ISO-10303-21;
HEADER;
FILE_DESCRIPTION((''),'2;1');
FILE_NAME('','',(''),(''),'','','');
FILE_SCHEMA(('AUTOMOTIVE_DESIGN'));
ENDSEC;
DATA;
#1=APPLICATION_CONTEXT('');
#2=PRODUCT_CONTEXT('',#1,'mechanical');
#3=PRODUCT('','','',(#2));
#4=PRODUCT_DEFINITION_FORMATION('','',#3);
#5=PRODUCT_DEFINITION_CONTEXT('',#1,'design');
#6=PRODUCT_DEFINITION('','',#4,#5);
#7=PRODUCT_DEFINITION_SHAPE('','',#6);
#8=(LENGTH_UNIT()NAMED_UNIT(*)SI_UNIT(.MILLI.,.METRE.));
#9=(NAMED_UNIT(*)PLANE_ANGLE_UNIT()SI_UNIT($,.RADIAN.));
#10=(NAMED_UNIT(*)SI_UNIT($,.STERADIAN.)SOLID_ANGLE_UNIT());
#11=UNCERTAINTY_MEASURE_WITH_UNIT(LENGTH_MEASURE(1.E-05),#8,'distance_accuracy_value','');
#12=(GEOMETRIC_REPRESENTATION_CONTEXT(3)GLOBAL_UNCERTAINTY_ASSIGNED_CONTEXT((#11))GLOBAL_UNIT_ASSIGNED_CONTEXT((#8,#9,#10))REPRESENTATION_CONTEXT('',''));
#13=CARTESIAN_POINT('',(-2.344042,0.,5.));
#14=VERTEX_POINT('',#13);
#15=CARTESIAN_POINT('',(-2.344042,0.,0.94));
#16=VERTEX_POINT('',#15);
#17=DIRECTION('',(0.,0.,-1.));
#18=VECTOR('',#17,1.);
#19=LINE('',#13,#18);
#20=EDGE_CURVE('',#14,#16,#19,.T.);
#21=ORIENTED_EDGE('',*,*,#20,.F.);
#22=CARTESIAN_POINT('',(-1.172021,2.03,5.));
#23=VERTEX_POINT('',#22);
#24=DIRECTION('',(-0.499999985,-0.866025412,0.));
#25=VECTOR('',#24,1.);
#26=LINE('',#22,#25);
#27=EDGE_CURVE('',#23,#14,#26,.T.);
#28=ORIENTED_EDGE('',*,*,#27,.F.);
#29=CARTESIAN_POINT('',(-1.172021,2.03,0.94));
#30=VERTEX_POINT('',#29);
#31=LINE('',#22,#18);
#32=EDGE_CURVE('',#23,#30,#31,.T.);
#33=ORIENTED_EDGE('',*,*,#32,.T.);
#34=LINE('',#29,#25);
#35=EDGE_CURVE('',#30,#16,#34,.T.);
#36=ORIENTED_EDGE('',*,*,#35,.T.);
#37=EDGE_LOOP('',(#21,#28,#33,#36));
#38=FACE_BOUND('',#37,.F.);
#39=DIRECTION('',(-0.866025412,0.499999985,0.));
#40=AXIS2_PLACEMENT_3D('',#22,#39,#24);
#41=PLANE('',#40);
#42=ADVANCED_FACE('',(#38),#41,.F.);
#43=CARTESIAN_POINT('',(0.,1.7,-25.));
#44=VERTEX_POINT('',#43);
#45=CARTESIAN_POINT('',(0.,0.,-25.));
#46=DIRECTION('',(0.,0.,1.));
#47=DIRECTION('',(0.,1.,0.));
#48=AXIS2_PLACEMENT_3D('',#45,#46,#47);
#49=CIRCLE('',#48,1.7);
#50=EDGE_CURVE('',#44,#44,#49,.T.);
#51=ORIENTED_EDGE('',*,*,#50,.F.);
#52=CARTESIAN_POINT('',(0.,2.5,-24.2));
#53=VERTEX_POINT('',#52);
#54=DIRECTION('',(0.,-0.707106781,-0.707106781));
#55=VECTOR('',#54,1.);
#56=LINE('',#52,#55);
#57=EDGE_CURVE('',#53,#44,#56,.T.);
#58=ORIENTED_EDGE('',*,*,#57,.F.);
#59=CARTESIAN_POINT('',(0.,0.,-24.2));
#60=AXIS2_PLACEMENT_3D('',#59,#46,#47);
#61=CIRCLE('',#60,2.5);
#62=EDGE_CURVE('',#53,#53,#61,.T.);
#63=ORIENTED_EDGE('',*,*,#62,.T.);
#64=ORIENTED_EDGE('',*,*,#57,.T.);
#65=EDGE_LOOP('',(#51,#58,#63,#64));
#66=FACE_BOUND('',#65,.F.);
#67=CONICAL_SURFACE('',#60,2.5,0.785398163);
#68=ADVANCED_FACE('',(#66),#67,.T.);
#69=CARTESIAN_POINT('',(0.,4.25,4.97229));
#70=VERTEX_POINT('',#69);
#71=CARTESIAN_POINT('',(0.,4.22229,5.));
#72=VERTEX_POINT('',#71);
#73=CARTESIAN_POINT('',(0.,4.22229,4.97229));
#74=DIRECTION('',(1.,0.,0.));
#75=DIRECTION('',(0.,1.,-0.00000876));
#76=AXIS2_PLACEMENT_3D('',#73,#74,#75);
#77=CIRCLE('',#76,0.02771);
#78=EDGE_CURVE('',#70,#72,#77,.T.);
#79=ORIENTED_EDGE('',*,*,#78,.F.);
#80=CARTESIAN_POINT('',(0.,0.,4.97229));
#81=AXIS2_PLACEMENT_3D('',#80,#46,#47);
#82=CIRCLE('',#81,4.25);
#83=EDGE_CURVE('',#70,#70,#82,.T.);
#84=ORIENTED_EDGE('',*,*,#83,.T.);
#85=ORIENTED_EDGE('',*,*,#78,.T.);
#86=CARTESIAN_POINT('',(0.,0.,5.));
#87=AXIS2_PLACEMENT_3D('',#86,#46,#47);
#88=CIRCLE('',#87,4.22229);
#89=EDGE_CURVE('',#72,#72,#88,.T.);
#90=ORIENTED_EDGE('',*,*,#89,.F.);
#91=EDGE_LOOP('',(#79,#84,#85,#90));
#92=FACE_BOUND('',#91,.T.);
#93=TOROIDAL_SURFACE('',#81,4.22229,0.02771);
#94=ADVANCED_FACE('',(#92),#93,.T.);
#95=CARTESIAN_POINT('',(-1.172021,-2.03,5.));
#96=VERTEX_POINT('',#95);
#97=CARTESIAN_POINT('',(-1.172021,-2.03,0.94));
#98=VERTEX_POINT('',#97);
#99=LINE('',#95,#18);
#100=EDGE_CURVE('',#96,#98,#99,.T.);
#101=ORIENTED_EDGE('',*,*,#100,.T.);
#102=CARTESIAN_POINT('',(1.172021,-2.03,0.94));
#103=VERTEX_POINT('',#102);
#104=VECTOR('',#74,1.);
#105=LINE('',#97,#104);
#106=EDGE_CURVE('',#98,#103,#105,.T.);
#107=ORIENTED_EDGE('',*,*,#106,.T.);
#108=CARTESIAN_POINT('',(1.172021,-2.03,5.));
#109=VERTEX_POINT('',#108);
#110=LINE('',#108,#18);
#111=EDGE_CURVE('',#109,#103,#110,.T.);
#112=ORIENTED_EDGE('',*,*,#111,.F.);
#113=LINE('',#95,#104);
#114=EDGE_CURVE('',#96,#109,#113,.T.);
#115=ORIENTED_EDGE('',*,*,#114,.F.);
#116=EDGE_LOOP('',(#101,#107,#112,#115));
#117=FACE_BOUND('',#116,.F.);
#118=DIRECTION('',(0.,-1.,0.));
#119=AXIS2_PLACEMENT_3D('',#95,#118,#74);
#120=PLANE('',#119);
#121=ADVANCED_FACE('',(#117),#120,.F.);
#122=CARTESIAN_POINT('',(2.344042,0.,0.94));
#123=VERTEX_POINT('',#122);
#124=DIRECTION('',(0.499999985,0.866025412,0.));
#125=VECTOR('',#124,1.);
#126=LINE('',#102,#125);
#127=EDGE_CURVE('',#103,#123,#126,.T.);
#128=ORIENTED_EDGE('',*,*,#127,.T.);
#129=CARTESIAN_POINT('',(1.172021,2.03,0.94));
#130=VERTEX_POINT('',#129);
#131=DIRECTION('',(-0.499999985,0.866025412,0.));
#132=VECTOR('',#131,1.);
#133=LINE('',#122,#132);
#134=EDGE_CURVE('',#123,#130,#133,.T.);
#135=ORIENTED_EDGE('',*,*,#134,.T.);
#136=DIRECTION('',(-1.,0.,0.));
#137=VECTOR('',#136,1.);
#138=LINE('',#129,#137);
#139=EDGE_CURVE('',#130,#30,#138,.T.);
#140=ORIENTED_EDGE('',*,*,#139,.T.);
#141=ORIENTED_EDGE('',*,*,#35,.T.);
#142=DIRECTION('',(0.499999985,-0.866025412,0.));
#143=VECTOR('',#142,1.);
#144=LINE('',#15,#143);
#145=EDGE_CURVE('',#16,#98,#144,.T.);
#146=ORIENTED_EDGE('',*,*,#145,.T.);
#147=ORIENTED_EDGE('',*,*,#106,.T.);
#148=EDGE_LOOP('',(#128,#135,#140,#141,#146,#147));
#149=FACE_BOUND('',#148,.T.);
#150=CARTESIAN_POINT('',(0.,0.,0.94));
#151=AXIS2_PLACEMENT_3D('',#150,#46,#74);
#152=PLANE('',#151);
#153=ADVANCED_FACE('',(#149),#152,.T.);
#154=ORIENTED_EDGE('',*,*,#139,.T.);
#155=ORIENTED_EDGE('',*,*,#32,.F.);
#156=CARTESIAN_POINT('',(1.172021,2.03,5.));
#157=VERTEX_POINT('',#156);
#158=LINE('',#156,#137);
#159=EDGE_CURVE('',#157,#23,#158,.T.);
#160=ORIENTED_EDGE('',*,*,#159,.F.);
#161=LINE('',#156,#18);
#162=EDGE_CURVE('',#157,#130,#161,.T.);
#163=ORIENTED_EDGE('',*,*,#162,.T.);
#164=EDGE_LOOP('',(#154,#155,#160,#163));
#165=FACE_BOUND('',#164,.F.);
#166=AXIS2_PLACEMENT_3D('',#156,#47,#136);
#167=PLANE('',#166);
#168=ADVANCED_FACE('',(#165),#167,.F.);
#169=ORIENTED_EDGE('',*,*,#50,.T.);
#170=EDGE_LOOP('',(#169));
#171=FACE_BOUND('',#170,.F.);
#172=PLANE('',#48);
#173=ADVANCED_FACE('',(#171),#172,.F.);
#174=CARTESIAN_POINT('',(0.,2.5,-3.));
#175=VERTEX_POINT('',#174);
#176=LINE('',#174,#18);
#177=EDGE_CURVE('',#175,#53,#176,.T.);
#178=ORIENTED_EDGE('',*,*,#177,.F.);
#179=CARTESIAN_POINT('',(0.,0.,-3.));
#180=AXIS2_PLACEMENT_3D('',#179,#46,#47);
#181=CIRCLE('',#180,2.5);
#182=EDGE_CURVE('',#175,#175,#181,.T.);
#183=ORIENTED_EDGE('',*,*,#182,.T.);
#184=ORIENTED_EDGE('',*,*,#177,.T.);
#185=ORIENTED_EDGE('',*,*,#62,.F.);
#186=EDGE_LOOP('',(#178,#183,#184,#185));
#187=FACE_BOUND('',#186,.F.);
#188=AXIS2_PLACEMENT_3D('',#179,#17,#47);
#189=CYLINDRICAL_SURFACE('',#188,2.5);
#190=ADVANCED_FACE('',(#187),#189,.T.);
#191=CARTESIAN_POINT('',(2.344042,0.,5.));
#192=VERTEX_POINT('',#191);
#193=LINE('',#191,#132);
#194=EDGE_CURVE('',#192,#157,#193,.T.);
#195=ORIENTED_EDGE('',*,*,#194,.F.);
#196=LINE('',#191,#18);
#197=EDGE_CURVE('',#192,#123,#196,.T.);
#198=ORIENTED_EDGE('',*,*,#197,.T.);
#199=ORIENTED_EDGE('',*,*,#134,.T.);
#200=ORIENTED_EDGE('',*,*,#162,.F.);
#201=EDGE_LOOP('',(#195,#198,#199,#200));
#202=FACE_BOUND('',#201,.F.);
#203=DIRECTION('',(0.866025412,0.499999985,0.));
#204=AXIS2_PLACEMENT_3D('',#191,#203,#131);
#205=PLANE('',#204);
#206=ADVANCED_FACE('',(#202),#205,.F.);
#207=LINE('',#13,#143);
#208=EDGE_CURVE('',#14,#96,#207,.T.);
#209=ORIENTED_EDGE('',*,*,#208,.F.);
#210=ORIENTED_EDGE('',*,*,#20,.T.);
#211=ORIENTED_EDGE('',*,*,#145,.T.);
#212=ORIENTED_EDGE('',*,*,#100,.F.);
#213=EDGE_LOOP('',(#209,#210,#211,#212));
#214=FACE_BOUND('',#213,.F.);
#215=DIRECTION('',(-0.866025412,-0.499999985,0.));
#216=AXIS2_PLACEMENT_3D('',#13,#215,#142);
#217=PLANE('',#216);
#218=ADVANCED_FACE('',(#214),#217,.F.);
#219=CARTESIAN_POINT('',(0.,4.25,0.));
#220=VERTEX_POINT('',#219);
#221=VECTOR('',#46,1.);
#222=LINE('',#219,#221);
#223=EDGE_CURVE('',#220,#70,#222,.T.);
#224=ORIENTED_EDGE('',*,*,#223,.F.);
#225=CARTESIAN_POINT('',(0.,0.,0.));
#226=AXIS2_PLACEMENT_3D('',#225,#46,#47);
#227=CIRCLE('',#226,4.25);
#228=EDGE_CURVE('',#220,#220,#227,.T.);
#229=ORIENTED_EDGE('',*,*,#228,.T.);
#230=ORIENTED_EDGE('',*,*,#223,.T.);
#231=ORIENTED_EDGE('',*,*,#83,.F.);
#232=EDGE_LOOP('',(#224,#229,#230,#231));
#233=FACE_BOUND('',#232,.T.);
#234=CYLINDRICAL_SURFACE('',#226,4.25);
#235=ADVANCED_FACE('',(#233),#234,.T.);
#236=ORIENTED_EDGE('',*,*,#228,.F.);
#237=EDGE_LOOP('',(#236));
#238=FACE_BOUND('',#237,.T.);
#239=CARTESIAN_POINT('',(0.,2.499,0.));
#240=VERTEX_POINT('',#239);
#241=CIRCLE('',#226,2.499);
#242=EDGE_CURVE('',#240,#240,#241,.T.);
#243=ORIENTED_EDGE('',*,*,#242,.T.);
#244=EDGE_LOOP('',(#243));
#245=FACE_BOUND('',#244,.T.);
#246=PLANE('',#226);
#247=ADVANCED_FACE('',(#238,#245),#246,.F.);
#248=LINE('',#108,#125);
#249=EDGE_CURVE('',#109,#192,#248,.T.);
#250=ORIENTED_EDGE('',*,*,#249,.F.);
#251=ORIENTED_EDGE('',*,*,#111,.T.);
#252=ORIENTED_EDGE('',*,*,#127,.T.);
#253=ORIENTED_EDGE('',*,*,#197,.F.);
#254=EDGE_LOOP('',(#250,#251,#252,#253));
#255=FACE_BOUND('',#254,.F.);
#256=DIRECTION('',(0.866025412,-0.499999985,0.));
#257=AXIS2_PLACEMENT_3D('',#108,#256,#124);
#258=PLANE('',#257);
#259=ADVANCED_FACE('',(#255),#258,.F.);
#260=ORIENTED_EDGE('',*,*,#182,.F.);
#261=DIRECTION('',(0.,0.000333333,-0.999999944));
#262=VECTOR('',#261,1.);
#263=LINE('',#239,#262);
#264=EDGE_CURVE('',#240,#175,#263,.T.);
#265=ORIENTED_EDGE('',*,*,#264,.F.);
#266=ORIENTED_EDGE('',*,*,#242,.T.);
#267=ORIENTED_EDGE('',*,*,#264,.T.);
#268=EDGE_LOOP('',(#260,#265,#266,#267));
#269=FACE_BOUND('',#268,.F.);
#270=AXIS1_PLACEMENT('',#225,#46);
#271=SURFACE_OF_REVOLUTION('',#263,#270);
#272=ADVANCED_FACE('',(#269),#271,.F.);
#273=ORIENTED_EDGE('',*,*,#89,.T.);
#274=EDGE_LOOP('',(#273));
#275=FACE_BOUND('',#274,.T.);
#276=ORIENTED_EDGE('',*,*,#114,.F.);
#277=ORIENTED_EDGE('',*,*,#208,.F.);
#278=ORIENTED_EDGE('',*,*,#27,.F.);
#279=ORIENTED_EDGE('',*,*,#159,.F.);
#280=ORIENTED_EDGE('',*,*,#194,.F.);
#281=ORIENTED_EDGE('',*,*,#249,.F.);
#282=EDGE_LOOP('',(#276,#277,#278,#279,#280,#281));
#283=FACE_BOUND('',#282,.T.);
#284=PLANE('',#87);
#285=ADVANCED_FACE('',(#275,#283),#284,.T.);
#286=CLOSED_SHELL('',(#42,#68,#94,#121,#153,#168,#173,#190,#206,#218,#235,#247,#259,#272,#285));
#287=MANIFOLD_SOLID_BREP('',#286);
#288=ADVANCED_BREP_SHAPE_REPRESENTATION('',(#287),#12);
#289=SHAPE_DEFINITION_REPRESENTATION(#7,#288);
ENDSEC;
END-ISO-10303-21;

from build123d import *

# Parameters (mm, degrees)
POCKET_DEPTH = 4.06


with BuildPart() as part:
    # Sketch → Revolve (revolve)
    with BuildSketch(Plane.YZ):
        with BuildLine():
            Line((2.499, 0), (4.25, 0))
            Line((4.25, 0), (4.25, 4.97229))
            ThreePointArc((4.25, 4.97229), (4.241884, 4.991884), (4.22229, 5))
            Line((4.22229, 5), (0, 5))
            Line((0, -25), (0, 5))
            Line((1.7, -25), (0, -25))
            Line((2.5, -24.2), (1.7, -25))
            Line((2.5, -3), (2.5, -24.2))
            Line((2.499, 0), (2.5, -3))
        make_face()
    revolve(axis=Axis((0, 0, 0), (0, 0, 1)))

    # Sketch001 → Pocket (cut)
    with BuildSketch(Plane.XY.offset(5)):
        Polygon((2.344042, 0), (1.172021, 2.03), (-1.172021, 2.03), (-2.344042, 0), (-1.172021, -2.03), (1.172021, -2.03), align=None)
    extrude(amount=-POCKET_DEPTH, mode=Mode.SUBTRACT)


solid = part.part
